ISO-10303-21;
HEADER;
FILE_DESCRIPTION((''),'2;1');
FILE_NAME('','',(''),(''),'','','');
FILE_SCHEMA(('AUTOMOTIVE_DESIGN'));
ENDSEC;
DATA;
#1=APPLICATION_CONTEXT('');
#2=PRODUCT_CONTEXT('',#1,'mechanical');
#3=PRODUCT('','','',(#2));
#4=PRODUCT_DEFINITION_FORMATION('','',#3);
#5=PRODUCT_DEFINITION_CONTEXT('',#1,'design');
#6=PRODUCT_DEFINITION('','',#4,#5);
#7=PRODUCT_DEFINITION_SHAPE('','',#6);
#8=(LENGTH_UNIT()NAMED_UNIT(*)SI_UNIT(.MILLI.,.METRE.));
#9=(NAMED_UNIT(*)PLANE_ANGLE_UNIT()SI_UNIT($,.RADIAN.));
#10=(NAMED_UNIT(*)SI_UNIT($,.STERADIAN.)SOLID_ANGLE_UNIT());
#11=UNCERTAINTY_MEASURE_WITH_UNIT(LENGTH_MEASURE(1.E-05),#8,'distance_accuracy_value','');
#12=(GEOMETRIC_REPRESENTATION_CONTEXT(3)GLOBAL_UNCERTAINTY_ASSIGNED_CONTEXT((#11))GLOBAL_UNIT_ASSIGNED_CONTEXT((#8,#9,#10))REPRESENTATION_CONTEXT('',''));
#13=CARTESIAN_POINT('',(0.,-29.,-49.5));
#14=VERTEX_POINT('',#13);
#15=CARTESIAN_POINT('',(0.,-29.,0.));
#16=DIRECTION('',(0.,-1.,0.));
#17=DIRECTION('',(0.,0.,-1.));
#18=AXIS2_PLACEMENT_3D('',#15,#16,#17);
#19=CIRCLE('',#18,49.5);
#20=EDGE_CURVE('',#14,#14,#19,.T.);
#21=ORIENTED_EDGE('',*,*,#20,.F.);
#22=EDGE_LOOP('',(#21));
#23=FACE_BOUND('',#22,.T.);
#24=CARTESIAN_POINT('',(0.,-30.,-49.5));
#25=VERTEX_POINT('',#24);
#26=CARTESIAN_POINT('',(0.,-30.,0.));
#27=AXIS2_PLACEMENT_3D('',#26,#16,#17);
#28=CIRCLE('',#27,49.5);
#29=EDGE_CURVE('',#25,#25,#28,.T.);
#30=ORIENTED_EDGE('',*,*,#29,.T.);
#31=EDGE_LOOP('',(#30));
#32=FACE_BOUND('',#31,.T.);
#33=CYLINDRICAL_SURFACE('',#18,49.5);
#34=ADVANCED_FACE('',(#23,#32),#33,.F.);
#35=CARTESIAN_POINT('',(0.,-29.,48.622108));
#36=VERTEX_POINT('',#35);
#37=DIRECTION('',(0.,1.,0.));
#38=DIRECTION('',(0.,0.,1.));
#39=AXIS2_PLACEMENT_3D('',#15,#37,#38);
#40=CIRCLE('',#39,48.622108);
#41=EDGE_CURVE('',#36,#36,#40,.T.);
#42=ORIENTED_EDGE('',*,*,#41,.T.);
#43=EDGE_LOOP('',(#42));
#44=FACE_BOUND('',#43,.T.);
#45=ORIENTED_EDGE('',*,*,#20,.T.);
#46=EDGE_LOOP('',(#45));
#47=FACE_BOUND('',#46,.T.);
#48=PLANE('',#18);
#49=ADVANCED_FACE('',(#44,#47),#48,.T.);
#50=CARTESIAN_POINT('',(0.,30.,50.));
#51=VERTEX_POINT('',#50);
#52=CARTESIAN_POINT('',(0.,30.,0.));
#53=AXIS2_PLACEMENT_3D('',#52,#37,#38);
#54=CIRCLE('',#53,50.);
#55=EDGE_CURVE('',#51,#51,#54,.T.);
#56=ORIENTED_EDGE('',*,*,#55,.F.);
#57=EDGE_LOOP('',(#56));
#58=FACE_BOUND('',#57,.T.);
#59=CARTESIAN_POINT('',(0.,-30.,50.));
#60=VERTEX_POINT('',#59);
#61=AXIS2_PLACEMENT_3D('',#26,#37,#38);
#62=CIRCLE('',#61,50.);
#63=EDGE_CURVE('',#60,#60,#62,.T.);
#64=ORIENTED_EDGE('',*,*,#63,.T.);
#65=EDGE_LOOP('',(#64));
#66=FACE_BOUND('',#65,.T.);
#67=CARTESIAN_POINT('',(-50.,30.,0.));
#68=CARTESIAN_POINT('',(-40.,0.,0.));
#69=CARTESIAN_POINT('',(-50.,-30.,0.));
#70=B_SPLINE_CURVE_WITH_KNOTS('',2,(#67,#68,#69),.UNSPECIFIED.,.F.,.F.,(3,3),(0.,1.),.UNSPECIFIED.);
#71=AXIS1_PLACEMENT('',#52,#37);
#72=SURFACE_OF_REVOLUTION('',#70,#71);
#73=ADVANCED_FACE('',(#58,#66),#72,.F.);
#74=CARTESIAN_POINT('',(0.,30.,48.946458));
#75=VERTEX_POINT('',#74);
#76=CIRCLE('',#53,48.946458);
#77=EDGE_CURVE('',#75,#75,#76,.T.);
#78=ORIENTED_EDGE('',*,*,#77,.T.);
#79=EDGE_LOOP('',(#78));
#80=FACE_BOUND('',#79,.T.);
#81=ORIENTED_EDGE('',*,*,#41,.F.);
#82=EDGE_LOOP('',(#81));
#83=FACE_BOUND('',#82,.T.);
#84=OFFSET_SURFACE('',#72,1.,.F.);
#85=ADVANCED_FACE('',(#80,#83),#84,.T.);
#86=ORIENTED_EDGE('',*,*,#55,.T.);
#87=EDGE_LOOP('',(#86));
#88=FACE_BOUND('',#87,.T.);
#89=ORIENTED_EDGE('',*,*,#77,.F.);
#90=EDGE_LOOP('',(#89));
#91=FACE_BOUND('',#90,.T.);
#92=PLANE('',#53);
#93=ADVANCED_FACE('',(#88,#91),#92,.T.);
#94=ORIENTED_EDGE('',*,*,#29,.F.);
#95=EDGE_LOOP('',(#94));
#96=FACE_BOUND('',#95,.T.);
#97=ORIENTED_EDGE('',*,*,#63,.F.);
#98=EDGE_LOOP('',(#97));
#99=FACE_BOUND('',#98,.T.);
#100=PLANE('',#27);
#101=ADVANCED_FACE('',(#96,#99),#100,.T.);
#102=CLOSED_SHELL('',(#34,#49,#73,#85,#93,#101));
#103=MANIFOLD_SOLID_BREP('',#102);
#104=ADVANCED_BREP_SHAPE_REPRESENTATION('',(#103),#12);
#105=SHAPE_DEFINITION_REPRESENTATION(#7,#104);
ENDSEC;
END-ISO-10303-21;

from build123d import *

# Parameters (mm, degrees)
SHELL_1_T           = -1
SKETCH_2_R          = 49.5
CUT_EXTRUDE_1_DEPTH = 1


with BuildPart() as part:
    # 草图1 → 旋转1 (revolve)
    with BuildSketch(Plane.XY):
        with BuildLine():
            Line((0, 30), (0, -30))
            Line((0, -30), (-50, -30))
            add(Edge.make_bspline(
                [(-50, 30), (-40, 0), (-50, -30)],
                knots=[0, 0, 0, 1, 1, 1], degree=2))
            Line((-50, 30), (0, 30))
        make_face()
    revolve(axis=Axis((0, 30, 0), (0, -1, 0)))

    # 抽壳1
    shell_1_openings = [part.faces().sort_by_distance(p)[0] for p in [
        (0, 30, 0),
    ]]
    offset(amount=SHELL_1_T, openings=shell_1_openings, kind=Kind.INTERSECTION)

    # 草图2 → 切除-拉伸1 (cut)
    with BuildSketch(Plane.XZ.offset(30)):
        with Locations(Location((0, 0, 0), (0, 0, 270))):
            Circle(SKETCH_2_R)
    extrude(amount=-CUT_EXTRUDE_1_DEPTH, mode=Mode.SUBTRACT)


solid = part.part
